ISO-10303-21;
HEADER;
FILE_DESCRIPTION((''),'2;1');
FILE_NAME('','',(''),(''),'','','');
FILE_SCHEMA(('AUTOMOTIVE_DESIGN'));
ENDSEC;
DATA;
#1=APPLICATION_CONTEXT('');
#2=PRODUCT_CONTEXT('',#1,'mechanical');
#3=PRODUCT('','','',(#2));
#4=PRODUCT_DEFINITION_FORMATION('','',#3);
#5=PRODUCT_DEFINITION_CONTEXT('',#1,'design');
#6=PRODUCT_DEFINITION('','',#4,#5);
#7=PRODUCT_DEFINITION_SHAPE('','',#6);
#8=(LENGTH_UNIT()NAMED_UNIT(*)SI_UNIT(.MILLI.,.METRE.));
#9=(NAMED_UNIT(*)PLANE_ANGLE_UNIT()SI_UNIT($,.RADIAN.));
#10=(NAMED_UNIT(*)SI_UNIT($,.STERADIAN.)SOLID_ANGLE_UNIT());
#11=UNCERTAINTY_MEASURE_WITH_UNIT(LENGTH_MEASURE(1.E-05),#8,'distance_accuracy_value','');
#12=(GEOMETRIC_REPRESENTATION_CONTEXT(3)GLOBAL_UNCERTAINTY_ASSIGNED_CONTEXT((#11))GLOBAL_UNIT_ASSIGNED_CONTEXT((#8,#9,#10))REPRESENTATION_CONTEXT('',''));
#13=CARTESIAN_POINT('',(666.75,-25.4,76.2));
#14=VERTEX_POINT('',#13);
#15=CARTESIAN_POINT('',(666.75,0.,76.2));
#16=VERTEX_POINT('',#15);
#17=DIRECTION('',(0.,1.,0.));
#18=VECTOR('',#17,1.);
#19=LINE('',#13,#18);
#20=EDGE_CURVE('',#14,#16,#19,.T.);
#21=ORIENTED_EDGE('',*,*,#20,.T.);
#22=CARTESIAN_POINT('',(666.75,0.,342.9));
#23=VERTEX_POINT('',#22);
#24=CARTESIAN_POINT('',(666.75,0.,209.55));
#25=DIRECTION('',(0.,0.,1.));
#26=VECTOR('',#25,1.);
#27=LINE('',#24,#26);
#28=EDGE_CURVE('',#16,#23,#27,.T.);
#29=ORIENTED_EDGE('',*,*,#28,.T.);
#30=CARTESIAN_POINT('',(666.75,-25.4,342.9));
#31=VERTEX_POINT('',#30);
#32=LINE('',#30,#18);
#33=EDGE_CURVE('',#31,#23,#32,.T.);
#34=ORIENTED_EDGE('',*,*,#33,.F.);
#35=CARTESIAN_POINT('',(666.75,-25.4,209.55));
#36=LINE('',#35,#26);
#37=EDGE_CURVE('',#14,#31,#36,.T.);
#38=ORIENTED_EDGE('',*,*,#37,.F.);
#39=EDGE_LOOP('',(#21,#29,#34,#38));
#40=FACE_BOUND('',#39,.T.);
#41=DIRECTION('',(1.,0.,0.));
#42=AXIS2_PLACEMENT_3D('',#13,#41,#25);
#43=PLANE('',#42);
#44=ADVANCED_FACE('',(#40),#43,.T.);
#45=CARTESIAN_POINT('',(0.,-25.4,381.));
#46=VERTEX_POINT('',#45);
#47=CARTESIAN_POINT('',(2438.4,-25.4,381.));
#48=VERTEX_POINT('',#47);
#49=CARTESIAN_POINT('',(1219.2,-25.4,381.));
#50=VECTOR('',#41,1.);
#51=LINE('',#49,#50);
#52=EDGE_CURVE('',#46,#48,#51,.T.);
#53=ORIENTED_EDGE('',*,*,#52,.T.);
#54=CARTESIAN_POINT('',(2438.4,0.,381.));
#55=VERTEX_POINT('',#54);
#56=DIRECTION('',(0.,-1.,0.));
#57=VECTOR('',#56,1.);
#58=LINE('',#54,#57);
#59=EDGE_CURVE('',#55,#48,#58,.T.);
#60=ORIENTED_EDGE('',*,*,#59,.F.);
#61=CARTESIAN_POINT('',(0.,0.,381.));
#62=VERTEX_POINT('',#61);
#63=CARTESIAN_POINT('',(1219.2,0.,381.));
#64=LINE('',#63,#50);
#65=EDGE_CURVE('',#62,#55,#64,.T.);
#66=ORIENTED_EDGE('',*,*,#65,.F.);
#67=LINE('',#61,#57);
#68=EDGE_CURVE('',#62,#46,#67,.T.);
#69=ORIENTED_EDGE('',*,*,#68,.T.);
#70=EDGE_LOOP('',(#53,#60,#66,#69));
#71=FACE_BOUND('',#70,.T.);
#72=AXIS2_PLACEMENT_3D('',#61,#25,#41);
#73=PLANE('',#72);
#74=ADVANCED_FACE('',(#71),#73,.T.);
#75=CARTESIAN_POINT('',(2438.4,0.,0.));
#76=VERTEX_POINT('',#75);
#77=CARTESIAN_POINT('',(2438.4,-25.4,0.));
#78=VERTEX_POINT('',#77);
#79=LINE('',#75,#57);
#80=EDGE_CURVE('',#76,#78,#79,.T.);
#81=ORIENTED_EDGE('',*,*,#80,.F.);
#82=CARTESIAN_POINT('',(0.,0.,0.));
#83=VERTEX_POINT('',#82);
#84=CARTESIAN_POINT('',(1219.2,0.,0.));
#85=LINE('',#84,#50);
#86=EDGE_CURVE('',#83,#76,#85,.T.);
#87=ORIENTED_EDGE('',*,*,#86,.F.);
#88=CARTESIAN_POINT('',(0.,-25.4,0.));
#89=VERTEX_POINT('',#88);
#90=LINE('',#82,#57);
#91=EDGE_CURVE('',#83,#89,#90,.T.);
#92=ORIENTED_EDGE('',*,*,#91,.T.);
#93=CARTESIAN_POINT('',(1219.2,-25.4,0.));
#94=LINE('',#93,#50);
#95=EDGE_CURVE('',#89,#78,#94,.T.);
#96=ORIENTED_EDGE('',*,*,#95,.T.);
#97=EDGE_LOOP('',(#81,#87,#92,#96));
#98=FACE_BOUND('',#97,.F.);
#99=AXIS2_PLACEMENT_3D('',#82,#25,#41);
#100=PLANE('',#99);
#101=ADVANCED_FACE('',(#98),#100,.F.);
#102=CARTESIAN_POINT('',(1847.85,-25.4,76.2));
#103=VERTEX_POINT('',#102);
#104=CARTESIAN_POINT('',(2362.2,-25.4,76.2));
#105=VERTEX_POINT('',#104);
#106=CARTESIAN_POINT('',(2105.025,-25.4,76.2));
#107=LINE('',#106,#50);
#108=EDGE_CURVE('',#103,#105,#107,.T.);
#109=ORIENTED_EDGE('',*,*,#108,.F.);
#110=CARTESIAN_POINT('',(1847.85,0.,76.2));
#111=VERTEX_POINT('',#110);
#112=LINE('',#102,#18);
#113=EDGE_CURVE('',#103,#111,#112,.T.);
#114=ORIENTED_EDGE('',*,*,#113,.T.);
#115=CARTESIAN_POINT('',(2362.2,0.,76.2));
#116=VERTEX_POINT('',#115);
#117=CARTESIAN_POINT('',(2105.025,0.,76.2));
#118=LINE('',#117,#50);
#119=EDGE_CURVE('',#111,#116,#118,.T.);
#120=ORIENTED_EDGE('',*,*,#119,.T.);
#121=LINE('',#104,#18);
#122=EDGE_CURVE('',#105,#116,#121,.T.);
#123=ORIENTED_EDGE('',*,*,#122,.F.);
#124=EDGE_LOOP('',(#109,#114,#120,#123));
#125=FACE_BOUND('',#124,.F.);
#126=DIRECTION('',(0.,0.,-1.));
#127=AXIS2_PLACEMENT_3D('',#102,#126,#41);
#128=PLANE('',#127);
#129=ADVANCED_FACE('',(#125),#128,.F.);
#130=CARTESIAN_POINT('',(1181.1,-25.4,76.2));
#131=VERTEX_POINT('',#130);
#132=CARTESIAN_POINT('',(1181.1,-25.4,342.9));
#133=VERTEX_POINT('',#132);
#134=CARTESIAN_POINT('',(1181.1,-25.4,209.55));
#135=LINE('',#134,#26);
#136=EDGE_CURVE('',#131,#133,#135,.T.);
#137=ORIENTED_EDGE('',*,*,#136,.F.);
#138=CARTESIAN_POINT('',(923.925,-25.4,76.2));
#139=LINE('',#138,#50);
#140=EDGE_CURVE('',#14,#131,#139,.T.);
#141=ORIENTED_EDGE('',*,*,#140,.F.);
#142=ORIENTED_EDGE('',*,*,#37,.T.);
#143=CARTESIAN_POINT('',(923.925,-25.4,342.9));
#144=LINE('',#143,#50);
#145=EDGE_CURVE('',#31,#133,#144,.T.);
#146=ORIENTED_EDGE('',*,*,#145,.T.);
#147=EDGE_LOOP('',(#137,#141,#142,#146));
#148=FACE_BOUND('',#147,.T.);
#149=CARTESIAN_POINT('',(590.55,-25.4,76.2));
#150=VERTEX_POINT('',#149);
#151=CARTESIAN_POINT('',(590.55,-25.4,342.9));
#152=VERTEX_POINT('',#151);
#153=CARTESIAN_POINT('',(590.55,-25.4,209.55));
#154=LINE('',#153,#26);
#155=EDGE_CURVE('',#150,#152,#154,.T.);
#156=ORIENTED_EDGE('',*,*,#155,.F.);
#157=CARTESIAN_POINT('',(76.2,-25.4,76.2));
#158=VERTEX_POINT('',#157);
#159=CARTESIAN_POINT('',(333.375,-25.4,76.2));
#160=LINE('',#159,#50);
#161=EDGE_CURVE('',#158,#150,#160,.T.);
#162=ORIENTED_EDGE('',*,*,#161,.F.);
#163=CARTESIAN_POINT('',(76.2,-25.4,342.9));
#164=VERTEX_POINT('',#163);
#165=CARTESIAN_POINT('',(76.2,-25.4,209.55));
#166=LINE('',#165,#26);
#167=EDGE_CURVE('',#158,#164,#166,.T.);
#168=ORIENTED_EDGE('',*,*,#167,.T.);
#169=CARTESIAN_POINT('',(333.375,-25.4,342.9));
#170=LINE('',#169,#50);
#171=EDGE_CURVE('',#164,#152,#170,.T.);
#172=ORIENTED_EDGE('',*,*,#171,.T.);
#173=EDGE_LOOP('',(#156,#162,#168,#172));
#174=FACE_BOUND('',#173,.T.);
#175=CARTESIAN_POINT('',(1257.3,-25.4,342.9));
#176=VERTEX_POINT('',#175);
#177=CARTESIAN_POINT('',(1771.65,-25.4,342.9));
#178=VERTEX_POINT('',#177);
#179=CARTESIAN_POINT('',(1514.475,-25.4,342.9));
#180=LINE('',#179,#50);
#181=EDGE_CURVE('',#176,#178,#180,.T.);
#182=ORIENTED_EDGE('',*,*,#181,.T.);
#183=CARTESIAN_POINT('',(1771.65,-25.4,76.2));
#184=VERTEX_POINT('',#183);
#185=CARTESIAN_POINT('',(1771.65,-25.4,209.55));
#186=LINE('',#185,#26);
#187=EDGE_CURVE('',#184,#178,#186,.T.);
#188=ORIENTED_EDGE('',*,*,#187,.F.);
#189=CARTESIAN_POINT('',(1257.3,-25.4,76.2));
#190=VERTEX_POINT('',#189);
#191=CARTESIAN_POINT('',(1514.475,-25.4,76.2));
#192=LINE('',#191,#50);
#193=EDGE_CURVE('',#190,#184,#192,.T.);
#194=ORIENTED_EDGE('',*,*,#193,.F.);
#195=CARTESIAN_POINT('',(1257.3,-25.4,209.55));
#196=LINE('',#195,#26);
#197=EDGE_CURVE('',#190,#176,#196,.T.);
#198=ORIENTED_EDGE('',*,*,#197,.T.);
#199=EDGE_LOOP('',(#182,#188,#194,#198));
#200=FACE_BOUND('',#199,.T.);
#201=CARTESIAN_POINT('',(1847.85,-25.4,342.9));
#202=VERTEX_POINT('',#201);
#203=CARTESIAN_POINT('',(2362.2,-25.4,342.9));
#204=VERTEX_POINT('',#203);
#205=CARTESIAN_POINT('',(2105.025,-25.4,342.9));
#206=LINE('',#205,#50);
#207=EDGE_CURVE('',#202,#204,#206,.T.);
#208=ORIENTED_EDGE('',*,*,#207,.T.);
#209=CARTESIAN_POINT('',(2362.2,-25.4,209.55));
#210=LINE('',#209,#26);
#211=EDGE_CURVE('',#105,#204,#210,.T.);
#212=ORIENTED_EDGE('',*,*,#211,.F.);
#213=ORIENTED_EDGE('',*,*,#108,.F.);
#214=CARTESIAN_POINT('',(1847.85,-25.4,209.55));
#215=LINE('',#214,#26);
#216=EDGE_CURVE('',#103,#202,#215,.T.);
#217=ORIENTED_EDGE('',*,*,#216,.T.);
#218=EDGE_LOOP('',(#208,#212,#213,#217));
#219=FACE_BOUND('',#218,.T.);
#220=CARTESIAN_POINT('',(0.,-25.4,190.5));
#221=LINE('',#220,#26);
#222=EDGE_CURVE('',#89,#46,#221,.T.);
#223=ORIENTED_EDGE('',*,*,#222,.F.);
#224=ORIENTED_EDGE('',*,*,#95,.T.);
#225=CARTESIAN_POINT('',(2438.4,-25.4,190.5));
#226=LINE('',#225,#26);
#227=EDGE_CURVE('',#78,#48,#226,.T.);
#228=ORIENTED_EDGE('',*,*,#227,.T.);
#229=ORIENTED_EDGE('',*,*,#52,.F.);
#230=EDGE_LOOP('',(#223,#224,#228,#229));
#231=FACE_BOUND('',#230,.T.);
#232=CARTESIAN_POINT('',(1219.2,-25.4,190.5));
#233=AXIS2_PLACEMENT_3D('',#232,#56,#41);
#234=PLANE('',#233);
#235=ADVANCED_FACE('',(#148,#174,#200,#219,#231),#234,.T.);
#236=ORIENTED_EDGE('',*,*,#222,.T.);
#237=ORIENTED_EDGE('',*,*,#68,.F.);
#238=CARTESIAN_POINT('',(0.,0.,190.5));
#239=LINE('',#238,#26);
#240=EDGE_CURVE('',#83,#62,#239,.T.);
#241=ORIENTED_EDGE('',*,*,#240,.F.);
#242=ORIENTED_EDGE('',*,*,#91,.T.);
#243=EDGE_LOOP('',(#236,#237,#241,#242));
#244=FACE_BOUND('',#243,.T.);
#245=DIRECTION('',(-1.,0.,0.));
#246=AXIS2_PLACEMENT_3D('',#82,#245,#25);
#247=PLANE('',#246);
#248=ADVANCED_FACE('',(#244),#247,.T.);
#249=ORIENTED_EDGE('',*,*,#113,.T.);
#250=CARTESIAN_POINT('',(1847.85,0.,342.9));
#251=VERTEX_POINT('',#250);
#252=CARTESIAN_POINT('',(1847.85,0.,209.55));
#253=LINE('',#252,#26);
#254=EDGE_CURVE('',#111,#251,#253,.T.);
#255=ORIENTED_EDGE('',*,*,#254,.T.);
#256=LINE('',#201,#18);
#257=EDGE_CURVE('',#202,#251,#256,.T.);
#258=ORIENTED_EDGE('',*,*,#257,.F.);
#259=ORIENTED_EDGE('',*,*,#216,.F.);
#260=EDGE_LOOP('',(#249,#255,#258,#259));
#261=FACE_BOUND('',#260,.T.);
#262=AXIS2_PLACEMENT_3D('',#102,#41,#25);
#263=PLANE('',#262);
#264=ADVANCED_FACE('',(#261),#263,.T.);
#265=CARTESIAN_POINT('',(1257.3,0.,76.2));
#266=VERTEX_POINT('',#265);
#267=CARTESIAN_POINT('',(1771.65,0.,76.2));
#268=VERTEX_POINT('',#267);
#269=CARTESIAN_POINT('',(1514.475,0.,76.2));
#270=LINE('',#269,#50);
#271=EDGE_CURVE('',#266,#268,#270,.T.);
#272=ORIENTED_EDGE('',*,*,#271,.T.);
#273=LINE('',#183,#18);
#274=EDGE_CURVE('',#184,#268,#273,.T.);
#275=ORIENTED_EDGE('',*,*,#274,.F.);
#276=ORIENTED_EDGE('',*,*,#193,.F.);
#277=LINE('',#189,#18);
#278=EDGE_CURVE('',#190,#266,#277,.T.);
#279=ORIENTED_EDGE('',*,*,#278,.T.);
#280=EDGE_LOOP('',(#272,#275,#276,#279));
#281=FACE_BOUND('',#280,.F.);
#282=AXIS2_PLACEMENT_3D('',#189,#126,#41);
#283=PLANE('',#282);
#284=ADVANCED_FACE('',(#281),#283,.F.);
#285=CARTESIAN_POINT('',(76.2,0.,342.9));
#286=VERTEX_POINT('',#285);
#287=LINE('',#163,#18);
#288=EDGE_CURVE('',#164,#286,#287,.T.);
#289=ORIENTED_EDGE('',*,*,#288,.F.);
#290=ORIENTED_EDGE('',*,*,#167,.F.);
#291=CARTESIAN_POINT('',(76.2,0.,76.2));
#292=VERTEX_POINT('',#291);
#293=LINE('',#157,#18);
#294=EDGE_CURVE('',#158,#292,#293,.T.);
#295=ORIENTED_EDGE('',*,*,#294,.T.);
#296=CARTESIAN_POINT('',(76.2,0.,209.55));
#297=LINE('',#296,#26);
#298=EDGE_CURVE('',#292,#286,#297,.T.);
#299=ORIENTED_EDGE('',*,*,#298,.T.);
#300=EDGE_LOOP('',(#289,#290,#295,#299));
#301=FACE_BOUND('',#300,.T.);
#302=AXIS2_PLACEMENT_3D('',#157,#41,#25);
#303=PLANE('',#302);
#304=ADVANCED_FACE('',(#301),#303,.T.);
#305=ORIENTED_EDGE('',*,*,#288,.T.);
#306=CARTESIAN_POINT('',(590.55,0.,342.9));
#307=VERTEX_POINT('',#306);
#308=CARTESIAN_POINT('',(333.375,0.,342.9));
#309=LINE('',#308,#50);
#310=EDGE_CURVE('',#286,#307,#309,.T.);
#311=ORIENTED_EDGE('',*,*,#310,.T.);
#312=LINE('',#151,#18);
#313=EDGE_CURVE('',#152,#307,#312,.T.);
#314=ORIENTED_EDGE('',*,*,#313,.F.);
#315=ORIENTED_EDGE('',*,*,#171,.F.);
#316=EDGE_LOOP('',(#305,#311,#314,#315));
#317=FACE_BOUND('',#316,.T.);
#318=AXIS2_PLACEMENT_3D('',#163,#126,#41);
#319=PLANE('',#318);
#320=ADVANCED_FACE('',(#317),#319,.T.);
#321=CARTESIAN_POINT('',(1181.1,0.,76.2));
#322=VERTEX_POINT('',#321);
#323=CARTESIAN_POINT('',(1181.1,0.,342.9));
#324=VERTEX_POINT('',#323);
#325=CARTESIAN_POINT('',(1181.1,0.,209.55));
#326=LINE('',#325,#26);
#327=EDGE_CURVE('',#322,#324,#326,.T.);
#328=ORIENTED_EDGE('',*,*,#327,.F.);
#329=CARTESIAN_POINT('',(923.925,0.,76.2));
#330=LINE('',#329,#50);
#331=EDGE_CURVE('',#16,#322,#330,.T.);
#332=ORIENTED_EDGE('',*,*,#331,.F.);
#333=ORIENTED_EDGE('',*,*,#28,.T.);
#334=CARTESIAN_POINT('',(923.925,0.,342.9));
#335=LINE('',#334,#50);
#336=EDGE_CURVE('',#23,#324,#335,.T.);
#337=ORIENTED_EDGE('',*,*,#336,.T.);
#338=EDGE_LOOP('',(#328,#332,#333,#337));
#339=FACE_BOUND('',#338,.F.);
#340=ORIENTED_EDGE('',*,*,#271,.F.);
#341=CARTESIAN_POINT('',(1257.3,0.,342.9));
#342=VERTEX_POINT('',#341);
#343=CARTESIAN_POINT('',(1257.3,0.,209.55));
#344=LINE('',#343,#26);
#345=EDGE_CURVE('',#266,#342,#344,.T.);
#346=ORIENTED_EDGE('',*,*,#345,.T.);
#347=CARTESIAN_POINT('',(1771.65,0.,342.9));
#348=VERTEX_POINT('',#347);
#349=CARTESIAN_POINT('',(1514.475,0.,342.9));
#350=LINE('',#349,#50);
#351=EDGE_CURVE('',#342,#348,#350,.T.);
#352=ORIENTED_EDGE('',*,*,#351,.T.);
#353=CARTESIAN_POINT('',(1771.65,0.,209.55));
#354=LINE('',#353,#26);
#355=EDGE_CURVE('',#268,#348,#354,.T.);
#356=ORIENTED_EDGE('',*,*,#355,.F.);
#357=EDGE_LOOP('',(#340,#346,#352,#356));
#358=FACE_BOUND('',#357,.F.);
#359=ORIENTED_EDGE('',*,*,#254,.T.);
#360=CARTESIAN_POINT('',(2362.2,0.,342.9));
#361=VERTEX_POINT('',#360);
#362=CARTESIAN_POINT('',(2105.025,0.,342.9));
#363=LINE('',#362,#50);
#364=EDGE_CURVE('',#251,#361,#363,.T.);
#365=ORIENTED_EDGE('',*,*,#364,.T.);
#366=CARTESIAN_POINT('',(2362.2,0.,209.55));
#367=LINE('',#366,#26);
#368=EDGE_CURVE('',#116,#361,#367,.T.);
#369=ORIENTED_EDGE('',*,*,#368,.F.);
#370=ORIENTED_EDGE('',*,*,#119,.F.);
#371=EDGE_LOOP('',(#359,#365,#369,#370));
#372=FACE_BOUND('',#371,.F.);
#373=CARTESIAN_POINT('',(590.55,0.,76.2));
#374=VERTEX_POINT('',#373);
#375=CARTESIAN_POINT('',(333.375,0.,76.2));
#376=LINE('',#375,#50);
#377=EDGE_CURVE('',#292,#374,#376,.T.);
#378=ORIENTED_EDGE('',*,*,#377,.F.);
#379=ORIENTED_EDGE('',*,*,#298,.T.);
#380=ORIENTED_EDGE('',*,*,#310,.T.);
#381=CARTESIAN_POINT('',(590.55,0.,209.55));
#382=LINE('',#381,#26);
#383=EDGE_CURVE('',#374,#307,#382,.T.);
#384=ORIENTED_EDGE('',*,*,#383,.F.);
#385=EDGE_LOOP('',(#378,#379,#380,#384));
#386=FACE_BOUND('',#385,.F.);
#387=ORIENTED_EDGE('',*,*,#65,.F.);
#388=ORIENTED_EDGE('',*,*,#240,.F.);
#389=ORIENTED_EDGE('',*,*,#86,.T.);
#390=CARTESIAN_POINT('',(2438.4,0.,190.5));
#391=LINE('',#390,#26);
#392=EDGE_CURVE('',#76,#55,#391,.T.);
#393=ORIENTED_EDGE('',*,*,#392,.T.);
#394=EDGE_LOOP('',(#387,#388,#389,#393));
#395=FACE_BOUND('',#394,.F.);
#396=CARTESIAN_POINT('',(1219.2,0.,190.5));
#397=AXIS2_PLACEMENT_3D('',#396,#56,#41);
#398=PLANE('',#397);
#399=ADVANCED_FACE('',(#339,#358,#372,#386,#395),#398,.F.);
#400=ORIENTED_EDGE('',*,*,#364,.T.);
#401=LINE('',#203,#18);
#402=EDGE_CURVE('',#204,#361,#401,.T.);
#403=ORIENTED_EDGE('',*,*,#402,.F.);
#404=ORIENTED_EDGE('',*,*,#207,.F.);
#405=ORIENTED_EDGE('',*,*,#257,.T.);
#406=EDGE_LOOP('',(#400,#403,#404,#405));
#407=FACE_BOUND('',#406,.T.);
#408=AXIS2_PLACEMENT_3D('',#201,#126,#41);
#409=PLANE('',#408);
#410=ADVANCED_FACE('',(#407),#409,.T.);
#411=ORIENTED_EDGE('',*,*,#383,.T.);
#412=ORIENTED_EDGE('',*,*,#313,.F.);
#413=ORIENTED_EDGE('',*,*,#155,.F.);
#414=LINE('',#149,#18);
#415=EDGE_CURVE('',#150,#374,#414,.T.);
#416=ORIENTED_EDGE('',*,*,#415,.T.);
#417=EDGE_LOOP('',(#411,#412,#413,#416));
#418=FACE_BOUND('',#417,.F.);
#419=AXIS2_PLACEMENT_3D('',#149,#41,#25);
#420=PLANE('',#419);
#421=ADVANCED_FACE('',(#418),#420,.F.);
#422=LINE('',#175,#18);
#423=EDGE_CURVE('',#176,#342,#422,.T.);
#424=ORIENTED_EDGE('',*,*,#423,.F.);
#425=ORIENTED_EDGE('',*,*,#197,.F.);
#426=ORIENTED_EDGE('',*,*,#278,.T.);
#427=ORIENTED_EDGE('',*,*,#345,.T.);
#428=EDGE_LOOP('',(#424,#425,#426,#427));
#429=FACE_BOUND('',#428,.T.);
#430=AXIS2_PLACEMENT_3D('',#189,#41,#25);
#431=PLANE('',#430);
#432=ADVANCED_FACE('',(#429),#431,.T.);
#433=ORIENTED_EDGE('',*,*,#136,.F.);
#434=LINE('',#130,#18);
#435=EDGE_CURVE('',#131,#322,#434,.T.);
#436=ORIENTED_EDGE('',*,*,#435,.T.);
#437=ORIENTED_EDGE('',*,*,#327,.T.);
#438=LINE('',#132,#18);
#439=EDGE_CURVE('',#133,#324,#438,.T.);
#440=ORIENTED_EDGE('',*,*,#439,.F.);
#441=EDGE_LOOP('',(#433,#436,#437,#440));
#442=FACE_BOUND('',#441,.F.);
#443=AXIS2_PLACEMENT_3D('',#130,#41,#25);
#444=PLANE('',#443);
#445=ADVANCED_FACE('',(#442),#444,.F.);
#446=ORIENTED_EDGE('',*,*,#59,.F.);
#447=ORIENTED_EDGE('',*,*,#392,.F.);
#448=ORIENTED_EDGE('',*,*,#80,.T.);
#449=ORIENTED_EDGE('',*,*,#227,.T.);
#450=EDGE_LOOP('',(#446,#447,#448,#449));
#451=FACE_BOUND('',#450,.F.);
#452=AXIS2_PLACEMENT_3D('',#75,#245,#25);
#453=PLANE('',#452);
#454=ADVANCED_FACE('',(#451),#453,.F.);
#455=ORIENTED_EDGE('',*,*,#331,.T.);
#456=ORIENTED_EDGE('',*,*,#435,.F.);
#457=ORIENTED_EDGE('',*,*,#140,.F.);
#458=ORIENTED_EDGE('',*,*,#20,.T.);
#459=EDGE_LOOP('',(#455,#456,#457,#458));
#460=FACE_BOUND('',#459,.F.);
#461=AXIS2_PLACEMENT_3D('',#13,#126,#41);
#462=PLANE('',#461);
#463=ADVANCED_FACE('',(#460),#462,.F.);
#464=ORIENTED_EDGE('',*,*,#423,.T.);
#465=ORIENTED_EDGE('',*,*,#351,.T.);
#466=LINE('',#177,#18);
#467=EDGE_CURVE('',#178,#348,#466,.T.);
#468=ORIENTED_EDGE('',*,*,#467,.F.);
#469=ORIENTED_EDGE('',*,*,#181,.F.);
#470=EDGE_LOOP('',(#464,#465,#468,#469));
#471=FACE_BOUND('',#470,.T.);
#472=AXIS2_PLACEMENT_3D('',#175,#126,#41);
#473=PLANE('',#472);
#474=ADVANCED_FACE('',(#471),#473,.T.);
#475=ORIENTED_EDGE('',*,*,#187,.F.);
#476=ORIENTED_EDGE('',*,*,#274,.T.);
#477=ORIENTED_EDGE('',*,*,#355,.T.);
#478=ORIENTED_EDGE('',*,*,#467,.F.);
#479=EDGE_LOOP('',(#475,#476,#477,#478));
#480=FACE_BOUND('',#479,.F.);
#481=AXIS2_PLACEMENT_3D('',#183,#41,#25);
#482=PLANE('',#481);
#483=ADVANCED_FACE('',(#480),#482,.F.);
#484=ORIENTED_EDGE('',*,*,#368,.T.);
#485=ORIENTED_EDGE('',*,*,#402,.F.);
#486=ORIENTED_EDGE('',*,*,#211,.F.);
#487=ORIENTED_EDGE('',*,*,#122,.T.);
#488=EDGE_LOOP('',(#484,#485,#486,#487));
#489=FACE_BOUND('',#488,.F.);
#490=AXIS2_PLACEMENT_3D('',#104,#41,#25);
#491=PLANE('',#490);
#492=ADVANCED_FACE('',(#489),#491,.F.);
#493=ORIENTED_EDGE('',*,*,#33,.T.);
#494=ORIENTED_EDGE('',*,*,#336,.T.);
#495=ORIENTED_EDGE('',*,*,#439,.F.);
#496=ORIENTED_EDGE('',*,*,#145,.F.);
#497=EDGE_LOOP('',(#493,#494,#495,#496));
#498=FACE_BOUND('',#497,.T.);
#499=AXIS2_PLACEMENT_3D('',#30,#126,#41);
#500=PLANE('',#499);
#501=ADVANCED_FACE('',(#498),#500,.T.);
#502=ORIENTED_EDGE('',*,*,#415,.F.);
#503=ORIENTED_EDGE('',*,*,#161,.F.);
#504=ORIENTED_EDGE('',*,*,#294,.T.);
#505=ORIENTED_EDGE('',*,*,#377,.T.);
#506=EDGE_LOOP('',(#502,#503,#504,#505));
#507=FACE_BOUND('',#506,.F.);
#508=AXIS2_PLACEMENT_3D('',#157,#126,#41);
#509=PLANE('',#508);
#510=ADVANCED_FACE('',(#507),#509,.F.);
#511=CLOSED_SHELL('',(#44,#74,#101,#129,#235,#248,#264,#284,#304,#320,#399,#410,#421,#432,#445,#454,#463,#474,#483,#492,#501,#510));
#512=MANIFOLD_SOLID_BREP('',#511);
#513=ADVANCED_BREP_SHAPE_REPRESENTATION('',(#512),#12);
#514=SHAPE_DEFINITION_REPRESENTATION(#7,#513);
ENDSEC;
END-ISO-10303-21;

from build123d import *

# Parameters (mm, degrees)
F0_W     = 2438.4
F0_H     = 381
F1_DEPTH = 25.4
F2_W     = 514.35
F2_H     = 266.7
F3_DEPTH = 25.4


with BuildPart() as f1:
    # F0 (on Front) → F1 (new body)
    with BuildSketch(Plane.XZ):
        with Locations((1219.2, 190.5)):
            Rectangle(F0_W, F0_H)
    extrude(amount=F1_DEPTH)

    # F2 (on face) → F3 (cut)
    with BuildSketch(Plane.XZ.offset(25.4)):
        with Locations((333.375, 209.55)):
            Rectangle(F2_W, F2_H)
        with Locations((923.925, 209.55)):
            Rectangle(F2_W, F2_H)
        with Locations((1514.475, 209.55)):
            Rectangle(F2_W, F2_H)
        with Locations((2105.025, 209.55)):
            Rectangle(F2_W, F2_H)
    extrude(amount=-F3_DEPTH, mode=Mode.SUBTRACT)


solid = f1.part
